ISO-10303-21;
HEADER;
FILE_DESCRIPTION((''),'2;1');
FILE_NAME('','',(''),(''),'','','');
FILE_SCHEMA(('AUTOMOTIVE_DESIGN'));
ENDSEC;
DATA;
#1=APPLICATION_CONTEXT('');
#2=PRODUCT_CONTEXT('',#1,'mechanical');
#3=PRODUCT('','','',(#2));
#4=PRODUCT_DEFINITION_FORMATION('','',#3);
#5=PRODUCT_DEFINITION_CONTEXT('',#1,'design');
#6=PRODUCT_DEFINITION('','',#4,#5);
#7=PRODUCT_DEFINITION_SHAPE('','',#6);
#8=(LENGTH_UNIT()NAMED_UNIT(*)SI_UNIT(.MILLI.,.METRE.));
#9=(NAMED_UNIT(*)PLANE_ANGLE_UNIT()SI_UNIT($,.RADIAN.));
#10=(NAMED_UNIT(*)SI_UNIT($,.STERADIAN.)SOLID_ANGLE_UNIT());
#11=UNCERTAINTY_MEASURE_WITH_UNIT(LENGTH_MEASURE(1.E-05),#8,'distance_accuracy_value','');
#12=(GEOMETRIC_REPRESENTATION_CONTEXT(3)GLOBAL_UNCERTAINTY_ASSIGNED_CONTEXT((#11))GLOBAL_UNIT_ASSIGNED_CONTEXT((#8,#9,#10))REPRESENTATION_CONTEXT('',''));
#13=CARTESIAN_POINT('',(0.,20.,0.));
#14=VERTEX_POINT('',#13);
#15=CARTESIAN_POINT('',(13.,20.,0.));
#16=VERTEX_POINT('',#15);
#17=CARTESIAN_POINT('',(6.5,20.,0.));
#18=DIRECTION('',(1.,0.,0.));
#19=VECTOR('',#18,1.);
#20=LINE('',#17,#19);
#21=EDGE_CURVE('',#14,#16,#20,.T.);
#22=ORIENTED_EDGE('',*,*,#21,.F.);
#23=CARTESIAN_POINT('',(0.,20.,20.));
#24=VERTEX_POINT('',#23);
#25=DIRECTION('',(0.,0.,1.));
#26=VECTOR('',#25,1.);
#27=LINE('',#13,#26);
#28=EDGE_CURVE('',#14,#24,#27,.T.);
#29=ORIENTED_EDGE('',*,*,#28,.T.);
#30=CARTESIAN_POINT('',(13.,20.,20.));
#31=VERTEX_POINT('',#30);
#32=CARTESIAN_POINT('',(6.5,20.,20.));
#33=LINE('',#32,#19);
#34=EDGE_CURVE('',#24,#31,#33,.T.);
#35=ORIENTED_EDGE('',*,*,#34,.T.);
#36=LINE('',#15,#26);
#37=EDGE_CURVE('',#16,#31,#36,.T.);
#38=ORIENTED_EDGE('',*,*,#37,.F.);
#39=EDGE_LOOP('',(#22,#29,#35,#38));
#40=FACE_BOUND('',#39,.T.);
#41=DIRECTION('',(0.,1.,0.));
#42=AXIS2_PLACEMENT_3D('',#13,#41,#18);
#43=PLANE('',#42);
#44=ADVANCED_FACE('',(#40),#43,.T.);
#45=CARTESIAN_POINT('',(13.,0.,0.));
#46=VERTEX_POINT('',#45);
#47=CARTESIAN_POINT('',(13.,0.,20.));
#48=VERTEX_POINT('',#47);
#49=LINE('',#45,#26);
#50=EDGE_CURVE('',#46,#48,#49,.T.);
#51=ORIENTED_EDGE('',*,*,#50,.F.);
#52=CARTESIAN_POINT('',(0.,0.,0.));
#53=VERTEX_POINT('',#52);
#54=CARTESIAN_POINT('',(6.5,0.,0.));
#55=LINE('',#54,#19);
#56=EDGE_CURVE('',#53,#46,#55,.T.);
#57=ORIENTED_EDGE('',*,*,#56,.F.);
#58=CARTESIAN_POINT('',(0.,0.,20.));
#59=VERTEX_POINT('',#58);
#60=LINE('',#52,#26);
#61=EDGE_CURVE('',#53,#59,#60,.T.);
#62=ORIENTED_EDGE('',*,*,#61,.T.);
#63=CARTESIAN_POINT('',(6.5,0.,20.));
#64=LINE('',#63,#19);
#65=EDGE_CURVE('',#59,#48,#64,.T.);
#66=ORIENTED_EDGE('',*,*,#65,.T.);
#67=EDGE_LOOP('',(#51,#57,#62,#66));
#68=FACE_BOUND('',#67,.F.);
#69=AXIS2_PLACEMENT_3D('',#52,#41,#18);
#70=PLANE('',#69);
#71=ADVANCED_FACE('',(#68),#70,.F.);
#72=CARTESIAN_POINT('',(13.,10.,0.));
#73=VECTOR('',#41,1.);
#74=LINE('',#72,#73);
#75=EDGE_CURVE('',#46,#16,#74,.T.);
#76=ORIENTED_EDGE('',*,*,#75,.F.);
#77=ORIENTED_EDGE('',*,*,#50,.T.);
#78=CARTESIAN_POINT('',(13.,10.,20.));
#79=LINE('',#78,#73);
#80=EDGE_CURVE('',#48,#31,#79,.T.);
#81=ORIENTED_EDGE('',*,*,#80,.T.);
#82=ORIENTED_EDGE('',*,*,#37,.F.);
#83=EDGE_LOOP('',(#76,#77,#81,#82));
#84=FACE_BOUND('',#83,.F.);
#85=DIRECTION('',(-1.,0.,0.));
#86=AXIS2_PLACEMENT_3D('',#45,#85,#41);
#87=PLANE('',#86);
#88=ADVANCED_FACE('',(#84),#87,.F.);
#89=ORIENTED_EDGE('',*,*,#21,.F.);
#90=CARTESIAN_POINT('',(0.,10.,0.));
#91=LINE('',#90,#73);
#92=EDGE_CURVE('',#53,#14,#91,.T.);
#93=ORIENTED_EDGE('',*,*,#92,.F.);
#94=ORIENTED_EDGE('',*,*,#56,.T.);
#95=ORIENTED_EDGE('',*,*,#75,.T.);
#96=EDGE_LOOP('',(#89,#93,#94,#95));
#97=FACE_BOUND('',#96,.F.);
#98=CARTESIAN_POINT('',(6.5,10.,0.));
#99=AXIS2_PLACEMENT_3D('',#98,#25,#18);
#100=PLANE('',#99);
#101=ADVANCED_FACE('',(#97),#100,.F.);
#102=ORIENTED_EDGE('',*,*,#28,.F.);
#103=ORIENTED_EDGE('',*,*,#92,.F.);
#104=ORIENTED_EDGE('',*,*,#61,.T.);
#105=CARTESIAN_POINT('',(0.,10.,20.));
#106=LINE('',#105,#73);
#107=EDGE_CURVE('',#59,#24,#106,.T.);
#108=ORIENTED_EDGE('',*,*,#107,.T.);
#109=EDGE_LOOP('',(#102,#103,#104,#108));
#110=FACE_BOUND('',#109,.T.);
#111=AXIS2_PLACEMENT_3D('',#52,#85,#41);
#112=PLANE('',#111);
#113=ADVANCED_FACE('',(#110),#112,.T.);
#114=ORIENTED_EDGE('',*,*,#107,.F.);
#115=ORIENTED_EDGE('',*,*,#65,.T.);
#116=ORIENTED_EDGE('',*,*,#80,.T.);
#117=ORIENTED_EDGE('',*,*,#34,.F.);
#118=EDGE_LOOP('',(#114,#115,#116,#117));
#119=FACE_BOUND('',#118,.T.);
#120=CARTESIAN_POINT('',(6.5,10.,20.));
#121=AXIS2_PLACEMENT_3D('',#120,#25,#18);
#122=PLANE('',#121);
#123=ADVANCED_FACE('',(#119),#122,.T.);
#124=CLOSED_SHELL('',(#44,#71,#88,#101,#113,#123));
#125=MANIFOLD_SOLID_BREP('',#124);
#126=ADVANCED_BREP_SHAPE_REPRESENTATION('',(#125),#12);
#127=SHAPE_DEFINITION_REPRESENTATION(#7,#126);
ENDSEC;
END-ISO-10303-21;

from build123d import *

# Parameters (mm, degrees)
BLOCK_W     = 13
BLOCK_H     = 20
BLOCK_DEPTH = 20


with BuildPart() as part:
    # Block → Block (new body)
    with BuildSketch(Plane.XY):
        with Locations((6.5, 10)):
            Rectangle(BLOCK_W, BLOCK_H)
    extrude(amount=BLOCK_DEPTH)


solid = part.part
